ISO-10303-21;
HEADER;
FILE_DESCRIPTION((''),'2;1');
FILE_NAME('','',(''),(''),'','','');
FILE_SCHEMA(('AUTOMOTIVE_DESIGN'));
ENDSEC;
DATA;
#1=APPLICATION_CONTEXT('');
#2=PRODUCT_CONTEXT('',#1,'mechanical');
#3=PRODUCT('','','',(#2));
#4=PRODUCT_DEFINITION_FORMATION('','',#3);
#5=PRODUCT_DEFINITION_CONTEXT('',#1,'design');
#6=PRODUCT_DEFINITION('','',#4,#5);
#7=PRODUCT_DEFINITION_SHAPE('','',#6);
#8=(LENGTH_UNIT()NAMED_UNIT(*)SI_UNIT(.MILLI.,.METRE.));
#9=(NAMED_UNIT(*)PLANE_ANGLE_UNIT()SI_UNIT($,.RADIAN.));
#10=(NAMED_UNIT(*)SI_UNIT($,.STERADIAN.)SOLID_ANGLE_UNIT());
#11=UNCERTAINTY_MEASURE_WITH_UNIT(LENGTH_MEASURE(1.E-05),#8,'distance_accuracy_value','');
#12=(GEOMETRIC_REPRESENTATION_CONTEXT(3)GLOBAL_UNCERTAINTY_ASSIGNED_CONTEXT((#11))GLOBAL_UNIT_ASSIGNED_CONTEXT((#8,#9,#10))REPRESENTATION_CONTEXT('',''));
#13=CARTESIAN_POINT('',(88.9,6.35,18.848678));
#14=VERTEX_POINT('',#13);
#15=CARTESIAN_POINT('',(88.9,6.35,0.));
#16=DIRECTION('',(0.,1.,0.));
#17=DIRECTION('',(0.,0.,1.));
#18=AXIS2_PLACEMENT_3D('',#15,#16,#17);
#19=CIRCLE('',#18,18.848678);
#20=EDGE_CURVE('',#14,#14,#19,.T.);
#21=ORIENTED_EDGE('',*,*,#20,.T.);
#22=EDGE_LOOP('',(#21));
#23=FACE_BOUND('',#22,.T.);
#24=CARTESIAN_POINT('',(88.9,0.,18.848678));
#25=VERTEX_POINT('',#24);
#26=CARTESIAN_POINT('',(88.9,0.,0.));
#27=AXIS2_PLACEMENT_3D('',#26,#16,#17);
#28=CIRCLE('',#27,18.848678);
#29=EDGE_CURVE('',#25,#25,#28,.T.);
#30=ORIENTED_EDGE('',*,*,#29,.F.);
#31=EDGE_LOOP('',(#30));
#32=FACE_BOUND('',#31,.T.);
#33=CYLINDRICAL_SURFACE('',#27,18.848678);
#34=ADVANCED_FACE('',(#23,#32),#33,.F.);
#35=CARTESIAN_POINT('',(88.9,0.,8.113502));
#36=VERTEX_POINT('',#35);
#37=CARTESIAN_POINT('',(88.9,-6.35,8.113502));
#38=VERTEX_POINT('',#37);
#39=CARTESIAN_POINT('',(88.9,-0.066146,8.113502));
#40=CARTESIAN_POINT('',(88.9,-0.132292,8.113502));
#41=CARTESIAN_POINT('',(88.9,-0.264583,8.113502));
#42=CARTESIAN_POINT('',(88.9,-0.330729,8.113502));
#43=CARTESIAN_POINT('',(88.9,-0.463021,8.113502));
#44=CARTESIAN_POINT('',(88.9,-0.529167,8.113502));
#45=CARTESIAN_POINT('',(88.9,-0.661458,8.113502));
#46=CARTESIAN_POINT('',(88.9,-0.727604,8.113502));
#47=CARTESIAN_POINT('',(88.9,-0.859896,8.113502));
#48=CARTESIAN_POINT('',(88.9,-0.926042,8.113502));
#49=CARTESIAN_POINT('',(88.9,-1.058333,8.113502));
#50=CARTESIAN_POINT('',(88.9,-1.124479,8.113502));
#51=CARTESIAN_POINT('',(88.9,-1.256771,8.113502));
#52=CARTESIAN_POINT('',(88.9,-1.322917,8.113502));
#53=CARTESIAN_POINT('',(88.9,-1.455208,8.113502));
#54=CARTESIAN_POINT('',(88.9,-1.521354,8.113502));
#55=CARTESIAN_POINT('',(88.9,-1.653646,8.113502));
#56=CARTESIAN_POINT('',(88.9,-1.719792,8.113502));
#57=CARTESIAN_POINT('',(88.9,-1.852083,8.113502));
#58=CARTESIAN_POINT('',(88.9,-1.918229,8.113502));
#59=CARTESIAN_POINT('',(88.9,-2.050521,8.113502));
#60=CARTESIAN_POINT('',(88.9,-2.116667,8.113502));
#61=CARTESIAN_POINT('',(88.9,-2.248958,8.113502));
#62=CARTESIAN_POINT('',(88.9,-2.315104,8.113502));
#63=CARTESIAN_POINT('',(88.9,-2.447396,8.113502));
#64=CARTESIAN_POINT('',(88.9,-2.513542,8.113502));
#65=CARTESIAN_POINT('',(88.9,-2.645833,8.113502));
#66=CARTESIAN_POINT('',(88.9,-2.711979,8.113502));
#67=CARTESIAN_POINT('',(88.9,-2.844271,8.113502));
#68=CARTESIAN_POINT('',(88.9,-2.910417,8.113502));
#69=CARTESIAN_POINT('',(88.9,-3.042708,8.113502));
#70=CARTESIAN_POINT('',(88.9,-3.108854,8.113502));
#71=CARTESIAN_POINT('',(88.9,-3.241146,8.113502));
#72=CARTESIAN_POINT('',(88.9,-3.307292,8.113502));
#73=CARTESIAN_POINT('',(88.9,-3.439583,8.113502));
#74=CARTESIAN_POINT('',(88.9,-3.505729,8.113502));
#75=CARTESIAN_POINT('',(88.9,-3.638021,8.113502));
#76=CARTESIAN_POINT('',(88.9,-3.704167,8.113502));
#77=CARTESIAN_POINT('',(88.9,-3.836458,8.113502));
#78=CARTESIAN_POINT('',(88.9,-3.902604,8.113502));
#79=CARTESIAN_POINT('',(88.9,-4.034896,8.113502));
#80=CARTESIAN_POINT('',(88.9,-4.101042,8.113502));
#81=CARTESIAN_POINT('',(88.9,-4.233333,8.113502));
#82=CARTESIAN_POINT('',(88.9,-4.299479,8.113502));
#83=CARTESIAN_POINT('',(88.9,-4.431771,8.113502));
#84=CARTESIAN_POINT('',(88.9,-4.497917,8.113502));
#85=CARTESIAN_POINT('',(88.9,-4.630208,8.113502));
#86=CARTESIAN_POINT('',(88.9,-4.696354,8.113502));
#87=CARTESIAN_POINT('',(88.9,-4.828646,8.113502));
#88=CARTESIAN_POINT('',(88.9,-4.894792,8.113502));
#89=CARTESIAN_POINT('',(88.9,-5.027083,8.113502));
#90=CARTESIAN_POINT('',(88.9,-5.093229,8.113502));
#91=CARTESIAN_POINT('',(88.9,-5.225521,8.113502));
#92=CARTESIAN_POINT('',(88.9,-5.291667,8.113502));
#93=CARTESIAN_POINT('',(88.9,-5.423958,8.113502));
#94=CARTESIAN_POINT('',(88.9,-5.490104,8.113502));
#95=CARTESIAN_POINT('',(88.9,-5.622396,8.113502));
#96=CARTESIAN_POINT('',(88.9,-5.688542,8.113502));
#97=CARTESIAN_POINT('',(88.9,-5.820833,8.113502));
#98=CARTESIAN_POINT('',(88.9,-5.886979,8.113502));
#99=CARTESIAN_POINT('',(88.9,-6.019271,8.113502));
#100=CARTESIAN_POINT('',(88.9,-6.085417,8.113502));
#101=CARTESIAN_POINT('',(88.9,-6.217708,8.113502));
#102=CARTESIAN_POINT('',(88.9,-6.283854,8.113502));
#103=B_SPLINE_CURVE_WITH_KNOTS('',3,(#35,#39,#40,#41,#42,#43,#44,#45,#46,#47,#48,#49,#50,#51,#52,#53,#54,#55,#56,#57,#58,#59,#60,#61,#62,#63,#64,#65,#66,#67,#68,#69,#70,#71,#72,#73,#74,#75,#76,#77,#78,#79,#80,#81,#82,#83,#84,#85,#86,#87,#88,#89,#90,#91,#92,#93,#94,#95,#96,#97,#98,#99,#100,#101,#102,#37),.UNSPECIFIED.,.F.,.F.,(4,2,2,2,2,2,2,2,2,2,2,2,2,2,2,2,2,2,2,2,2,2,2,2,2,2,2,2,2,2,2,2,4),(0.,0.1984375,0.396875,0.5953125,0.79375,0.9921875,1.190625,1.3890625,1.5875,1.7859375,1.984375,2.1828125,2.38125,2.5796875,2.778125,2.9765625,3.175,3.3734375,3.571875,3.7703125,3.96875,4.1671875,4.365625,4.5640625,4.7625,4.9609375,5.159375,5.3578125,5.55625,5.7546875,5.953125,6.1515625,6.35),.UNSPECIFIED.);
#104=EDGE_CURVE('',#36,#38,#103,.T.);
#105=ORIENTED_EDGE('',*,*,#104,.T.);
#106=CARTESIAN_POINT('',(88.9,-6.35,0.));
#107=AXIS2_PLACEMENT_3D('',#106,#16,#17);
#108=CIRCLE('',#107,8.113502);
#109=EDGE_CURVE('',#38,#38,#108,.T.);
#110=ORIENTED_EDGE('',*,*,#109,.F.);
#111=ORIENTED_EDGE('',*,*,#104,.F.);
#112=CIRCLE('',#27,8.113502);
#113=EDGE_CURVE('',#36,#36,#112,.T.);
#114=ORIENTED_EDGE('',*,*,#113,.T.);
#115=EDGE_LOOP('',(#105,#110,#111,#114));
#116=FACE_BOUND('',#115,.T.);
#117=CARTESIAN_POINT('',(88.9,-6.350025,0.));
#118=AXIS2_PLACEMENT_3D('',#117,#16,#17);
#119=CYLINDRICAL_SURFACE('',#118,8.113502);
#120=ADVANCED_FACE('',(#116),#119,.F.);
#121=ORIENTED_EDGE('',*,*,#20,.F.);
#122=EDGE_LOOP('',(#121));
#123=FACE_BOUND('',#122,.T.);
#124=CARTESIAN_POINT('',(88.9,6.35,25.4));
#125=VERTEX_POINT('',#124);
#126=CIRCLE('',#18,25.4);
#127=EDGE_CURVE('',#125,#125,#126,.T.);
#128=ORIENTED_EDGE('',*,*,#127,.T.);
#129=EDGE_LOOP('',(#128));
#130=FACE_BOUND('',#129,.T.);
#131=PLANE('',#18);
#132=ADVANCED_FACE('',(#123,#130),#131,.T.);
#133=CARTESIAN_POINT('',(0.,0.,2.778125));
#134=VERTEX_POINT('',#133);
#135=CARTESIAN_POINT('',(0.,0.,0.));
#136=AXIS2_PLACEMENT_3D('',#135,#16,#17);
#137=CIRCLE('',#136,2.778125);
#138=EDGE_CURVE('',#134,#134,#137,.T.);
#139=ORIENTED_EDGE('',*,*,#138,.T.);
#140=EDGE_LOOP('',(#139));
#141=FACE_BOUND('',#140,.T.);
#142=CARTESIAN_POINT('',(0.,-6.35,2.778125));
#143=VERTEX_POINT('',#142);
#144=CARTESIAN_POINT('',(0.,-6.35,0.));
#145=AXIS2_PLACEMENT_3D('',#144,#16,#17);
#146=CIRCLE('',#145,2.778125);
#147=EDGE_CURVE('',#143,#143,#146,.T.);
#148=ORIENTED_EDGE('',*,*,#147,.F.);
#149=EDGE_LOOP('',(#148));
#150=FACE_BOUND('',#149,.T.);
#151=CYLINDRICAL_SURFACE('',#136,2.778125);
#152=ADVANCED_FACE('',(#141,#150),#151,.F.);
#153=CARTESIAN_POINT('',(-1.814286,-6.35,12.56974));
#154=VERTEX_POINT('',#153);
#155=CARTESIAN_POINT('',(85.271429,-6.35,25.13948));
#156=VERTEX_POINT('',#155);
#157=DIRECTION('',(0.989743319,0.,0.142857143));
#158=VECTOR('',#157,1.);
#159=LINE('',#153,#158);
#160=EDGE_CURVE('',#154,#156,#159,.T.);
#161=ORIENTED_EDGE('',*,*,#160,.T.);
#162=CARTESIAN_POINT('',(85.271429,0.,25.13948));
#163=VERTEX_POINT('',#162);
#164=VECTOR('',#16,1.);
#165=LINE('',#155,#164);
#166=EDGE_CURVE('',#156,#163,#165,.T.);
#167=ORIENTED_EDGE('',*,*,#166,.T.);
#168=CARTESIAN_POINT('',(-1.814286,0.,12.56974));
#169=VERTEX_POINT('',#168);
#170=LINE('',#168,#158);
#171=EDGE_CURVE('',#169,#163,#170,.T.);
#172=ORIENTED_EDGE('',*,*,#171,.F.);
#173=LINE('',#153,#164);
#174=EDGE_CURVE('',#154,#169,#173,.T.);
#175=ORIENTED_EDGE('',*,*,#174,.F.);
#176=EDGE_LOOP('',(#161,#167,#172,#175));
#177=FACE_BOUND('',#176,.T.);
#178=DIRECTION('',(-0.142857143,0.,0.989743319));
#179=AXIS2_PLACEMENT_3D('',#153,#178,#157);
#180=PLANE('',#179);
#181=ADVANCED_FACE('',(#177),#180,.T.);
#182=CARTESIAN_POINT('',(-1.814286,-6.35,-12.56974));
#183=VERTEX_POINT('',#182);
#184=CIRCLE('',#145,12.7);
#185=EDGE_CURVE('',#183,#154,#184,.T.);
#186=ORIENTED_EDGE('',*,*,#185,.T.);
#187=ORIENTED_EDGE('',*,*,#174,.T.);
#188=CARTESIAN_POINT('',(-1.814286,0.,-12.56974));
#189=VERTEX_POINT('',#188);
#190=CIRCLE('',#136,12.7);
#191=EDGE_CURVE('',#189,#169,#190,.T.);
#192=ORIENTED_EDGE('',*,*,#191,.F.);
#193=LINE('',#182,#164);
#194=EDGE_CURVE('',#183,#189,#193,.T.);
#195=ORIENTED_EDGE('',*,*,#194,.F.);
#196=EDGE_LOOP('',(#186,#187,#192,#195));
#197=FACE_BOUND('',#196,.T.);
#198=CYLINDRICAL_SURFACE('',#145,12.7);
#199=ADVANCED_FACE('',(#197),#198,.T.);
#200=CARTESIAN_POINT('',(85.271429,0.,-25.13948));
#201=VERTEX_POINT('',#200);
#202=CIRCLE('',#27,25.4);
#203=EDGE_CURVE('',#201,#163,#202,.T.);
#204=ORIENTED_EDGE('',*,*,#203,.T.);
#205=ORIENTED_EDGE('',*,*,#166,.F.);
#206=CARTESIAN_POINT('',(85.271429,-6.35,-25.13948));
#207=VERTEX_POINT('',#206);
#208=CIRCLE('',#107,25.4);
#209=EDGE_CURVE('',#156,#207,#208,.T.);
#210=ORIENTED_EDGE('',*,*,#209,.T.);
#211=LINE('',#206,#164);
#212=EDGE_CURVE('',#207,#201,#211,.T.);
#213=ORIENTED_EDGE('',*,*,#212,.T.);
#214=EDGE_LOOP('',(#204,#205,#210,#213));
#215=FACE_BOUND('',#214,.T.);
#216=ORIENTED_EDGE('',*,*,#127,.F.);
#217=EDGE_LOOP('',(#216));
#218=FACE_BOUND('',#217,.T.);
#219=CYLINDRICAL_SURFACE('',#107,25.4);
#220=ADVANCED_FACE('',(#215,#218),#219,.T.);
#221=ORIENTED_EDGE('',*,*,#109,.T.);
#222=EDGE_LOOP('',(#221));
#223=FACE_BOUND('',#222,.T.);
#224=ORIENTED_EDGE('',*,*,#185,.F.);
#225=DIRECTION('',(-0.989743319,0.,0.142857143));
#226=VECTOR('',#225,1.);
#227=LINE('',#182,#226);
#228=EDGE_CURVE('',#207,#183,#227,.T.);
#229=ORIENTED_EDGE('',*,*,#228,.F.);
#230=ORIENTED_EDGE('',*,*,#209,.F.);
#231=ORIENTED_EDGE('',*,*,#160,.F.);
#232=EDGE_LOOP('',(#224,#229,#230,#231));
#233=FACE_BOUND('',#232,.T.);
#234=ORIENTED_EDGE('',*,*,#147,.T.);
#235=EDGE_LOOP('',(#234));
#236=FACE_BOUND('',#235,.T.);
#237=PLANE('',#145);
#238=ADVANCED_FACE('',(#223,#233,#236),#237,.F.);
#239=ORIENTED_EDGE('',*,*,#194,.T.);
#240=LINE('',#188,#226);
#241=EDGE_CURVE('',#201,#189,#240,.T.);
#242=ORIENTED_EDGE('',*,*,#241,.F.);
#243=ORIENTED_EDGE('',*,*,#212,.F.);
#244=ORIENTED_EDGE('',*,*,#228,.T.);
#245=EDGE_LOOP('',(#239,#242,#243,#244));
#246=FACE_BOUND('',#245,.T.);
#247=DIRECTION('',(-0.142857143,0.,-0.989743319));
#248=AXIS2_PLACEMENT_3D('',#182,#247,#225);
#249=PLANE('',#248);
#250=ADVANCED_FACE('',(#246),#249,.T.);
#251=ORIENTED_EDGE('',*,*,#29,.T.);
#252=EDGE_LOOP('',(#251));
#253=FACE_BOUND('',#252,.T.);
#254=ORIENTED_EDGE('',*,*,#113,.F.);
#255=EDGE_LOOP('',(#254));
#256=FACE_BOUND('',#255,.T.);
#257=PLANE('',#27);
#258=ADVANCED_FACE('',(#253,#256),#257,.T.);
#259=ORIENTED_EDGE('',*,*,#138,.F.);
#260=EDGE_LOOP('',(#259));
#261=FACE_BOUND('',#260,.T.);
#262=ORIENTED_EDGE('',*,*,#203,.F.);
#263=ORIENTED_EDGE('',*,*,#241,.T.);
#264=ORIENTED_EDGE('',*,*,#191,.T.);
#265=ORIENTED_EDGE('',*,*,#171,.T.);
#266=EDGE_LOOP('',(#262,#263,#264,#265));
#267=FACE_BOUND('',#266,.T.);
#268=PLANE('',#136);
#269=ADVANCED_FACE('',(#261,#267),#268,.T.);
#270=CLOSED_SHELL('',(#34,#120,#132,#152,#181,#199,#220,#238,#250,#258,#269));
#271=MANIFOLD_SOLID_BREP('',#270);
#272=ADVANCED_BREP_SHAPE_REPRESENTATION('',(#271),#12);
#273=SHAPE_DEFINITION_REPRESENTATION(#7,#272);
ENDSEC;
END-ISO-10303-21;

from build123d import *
from build123d.topology import SkipClean

# Parameters (mm, degrees)
EXTRUDE1_DEPTH                      = 6.35
EXTRUDE2_START                      = 6.35
SKETCH2_R                           = 25.4
EXTRUDE2_DEPTH                      = 6.35
F_7_32_0_21875_DIAMETER_HOLE1_D     = 5.55625
F_7_32_0_21875_DIAMETER_HOLE1_DEPTH = 25.4
F_7_32_0_21875_DIAMETER_HOLE1_TIP   = 1.669265907
SKETCH5_R                           = 18.848677946
EXTRUDE3_DEPTH                      = 6.35
SKETCH6_R                           = 8.113502116
EXTRUDE5_DEPTH                      = 118.260276735


with BuildPart() as part:
    # Sketch1 → Extrude1 (new body)
    with BuildSketch(Plane(origin=(0, 0, 0), x_dir=(1, 0, 0), z_dir=(0, 1, 0))):
        with BuildLine():
            Line((-1.814285714, 12.569740146), (85.271428571, 25.139480293))
            ThreePointArc((85.271428571, 25.139480293), (114.3, 0), (85.271428571, -25.139480293))
            Line((85.271428571, -25.139480293), (-1.814285714, -12.569740146))
            ThreePointArc((-1.814285714, -12.569740146), (-12.7, 0), (-1.814285714, 12.569740146))
        make_face()
    extrude(amount=-EXTRUDE1_DEPTH)

    # Sketch2 → Extrude2 (add)
    with SkipClean():  # the faces are left unmerged after this step: merging them gives an invalid solid
        with BuildSketch(Plane(origin=(0, 0, 0), x_dir=(1, 0, 0), z_dir=(0, 1, 0)).offset(EXTRUDE2_START)):
            with Locations(Location((88.9, 0, 0), (0, 0, 270))):
                Circle(SKETCH2_R)
        extrude(amount=-EXTRUDE2_DEPTH)

    # 7/32 (0.21875) Diameter Hole1
    with Locations(Plane.ZX):
        with Locations((0, 0)):
            Hole(F_7_32_0_21875_DIAMETER_HOLE1_D / 2, depth=F_7_32_0_21875_DIAMETER_HOLE1_DEPTH)
            with Locations((0, 0, -(F_7_32_0_21875_DIAMETER_HOLE1_DEPTH + F_7_32_0_21875_DIAMETER_HOLE1_TIP / 2))):  # 118° drill point
                Cone(0, F_7_32_0_21875_DIAMETER_HOLE1_D / 2, F_7_32_0_21875_DIAMETER_HOLE1_TIP, mode=Mode.SUBTRACT)

    # Sketch5 → Extrude3 (cut)
    with SkipClean():  # the faces are left unmerged after this step: merging them gives an invalid solid
        with BuildSketch(Plane(origin=(0, 6.35, 0), x_dir=(-1, 0, 0), z_dir=(0, 1, 0))):
            with Locations(Location((-88.9, 0, 0), (0, 0, 90))):
                Circle(SKETCH5_R)
        extrude(amount=-EXTRUDE3_DEPTH, mode=Mode.SUBTRACT)

    # Sketch6 → Extrude5 (cut, through all)
    with SkipClean():  # the faces are left unmerged after this step: merging them gives an invalid solid
        with BuildSketch(Plane(origin=(0, 0, 0), x_dir=(-1, 0, 0), z_dir=(0, 1, 0))):
            with Locations(Location((-88.9, 0, 0), (0, 0, 90))):
                Circle(SKETCH6_R)
        extrude(amount=-EXTRUDE5_DEPTH, mode=Mode.SUBTRACT)


solid = part.part
